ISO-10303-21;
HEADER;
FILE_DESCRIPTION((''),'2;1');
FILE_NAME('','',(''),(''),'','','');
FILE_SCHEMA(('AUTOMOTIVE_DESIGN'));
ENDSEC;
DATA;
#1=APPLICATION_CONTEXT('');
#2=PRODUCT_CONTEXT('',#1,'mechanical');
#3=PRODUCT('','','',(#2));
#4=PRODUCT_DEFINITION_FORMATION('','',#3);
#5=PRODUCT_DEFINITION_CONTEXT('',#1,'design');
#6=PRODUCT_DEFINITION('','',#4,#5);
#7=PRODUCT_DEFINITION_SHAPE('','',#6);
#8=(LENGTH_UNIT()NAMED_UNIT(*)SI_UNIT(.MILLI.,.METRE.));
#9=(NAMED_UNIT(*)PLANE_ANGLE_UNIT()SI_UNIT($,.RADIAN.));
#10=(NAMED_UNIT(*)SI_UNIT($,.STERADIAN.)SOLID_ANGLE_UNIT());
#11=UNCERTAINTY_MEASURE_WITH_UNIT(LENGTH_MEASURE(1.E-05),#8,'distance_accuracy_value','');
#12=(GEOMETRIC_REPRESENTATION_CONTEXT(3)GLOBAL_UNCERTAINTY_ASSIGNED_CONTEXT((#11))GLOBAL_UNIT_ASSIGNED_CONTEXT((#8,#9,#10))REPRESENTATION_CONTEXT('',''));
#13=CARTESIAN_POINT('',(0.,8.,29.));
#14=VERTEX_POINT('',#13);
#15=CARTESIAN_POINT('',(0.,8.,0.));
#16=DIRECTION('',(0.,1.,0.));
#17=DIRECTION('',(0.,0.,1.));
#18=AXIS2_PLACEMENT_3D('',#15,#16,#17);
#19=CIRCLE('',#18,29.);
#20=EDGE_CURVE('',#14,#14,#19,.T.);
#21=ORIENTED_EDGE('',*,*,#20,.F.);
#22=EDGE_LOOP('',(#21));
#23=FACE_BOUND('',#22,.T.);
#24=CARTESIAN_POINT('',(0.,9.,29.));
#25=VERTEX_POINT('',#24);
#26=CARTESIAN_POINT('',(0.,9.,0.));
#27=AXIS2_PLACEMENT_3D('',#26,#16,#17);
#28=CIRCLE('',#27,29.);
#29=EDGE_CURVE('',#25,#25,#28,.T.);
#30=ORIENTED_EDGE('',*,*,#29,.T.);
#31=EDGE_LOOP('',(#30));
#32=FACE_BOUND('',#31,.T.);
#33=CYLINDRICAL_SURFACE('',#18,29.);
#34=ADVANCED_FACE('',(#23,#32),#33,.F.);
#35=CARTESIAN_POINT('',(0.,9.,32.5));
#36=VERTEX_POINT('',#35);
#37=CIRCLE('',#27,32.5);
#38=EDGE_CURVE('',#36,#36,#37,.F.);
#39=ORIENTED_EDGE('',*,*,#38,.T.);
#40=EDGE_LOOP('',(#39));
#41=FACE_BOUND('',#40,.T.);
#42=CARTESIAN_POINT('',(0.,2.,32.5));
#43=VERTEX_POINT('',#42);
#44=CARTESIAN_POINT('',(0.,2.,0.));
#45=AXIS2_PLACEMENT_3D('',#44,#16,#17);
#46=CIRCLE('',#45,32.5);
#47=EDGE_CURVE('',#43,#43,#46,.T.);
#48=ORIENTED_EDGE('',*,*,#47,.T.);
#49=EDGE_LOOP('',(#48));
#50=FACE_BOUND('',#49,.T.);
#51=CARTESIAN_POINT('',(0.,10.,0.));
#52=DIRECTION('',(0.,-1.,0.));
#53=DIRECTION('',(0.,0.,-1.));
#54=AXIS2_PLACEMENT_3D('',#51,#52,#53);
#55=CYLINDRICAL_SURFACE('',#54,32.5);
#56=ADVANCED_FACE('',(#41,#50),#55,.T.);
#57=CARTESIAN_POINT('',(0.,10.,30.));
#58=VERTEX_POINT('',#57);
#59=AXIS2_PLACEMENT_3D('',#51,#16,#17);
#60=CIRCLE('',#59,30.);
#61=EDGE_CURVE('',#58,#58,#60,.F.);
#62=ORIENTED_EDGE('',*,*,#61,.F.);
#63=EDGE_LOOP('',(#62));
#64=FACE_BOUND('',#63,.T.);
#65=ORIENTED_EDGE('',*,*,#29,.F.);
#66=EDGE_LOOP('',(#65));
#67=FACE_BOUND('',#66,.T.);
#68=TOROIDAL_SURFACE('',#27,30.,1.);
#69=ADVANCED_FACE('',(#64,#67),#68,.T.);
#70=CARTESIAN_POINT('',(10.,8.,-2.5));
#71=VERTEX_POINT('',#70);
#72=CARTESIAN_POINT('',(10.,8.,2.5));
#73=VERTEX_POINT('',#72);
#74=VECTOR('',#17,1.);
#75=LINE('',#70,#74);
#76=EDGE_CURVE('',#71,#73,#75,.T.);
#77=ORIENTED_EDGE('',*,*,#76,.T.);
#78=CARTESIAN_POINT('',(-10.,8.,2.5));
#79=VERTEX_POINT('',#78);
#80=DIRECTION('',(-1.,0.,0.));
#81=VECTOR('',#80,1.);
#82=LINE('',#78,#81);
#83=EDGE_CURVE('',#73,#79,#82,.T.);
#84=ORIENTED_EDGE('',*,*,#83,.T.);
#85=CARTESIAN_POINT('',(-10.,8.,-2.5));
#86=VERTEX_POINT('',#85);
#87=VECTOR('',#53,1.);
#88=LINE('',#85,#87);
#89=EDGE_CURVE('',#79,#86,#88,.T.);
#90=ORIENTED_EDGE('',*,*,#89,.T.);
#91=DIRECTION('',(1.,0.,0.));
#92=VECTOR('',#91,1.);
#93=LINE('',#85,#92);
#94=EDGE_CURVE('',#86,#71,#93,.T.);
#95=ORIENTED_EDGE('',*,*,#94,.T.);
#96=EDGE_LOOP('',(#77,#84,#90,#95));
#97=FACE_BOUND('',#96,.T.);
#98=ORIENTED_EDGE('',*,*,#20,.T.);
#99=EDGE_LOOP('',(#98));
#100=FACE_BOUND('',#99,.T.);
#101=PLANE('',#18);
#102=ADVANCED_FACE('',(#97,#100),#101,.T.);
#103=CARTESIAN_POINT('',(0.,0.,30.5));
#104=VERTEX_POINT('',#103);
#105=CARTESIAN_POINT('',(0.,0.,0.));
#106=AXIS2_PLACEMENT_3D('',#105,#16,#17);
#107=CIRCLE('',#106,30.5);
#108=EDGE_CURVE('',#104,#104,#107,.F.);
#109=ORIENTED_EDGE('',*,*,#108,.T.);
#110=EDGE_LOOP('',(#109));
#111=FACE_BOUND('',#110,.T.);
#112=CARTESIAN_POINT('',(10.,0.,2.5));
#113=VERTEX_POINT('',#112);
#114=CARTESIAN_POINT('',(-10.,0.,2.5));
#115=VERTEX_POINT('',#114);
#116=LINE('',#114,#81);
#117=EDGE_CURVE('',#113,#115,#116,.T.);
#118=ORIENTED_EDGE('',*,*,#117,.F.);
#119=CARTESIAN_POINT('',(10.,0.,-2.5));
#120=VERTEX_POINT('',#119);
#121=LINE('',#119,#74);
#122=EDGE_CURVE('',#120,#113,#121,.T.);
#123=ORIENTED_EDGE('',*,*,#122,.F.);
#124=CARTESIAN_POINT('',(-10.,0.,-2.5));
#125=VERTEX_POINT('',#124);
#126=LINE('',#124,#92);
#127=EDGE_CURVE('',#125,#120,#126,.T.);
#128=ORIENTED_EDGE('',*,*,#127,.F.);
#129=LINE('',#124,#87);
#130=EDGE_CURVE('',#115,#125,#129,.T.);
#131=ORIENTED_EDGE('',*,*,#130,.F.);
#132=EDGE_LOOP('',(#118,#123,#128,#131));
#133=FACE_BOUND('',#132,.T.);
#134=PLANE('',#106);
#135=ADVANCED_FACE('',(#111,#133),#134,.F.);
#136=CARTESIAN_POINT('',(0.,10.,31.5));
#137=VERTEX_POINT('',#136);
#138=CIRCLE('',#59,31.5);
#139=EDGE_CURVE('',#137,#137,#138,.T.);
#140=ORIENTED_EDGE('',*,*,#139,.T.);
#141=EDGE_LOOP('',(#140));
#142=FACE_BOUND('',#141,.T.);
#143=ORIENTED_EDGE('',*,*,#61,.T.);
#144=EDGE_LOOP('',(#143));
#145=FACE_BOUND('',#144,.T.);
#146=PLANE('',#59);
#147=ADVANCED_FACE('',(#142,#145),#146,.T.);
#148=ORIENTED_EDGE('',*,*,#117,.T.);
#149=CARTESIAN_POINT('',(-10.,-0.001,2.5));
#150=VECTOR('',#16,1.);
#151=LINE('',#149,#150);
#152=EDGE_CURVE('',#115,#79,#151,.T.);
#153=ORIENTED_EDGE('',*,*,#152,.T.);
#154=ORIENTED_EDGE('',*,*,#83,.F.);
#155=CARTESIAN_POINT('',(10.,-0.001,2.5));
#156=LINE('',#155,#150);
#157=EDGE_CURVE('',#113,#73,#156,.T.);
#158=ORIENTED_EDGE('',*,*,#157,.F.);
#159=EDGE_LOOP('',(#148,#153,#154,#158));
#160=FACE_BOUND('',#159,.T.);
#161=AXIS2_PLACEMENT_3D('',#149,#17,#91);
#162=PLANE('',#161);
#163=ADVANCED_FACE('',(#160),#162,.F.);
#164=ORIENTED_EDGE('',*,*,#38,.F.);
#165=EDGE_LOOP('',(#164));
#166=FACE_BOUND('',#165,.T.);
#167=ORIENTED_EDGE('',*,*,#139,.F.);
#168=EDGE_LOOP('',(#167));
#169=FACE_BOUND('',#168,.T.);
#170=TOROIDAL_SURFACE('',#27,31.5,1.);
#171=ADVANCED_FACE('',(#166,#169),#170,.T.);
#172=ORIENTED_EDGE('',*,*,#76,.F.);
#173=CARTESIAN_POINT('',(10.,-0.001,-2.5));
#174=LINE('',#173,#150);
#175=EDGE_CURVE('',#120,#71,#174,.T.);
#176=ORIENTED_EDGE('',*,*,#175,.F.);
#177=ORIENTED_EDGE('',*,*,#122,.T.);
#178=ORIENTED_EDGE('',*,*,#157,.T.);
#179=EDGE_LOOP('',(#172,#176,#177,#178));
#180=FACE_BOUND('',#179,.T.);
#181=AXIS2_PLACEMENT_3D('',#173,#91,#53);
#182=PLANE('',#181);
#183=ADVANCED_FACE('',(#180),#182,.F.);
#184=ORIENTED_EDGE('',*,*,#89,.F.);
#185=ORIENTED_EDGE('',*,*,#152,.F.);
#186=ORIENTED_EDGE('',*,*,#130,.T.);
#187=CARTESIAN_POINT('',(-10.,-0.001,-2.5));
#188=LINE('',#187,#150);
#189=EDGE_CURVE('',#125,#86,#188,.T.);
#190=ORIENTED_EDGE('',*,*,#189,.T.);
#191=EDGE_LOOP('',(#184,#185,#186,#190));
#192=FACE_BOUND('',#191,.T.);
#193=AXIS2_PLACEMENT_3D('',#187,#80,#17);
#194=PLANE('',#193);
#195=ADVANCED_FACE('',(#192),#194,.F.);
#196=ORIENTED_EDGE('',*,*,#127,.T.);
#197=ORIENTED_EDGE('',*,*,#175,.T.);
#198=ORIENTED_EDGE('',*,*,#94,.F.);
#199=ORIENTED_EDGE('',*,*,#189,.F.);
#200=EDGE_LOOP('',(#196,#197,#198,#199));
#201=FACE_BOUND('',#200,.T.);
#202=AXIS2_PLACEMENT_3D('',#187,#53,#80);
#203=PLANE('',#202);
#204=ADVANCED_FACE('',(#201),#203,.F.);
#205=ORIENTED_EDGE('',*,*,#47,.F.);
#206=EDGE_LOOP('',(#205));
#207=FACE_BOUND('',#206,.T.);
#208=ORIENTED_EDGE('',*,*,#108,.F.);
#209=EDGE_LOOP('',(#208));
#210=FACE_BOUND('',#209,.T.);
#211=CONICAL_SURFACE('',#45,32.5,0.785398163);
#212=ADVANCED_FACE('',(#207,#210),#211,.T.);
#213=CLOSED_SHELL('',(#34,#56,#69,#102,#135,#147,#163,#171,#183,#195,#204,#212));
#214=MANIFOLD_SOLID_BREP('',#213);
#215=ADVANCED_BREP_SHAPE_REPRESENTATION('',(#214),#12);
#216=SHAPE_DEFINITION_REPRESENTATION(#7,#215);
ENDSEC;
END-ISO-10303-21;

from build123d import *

# Parameters (mm, degrees)
SKETCH1_R           = 32.5
BOSS_EXTRUDE4_DEPTH = 10
CUT_EXTRUDE1_REACH  = 12
SKETCH4_W           = 20
SKETCH4_H           = 5
SKETCH5_R           = 29
CUT_EXTRUDE3_DEPTH  = 2
FILLET1_R           = 1
FILLET2_R           = 1
CHAMFER1_SIZE       = 2


with BuildPart() as part:
    # Sketch1 → Boss-Extrude4 (new body)
    with BuildSketch(Plane(origin=(0, 0, 0), x_dir=(1, 0, 0), z_dir=(0, 1, 0))):
        with Locations(Location((0, 0, 0), (0, 0, 270))):  # turned: the seam where the file's is
            Circle(SKETCH1_R)
    extrude(amount=BOSS_EXTRUDE4_DEPTH)

    # Sketch4 → Cut-Extrude1 (cut, up to next)
    with BuildSketch(Plane(origin=(0, 10, 0), x_dir=(1, 0, 0), z_dir=(0, 1, 0)), mode=Mode.PRIVATE) as cut_extrude1_sk1:
        Rectangle(SKETCH4_W, SKETCH4_H)
    cut_extrude1_tool1 = extrude(cut_extrude1_sk1.sketch, amount=-CUT_EXTRUDE1_REACH, mode=Mode.PRIVATE) & part.part
    add(cut_extrude1_tool1.solids().sort_by_distance((0, 10, 0))[0], mode=Mode.SUBTRACT)

    # Sketch5 → Cut-Extrude3 (cut)
    with BuildSketch(Plane(origin=(0, 10, 0), x_dir=(1, 0, 0), z_dir=(0, 1, 0))):
        with Locations(Location((0, 0, 0), (0, 0, 270))):  # turned: the seam where the file's is
            Circle(SKETCH5_R)
    extrude(amount=-CUT_EXTRUDE3_DEPTH, mode=Mode.SUBTRACT)

    # Fillet1
    fillet1_edges = [part.edges().sort_by_distance(p)[0] for p in [
        (0, 10, -32.5),
    ]]
    fillet(fillet1_edges, radius=FILLET1_R)

    # Fillet2
    fillet2_edges = [part.edges().sort_by_distance(p)[0] for p in [
        (0, 10, -29),
    ]]
    fillet(fillet2_edges, radius=FILLET2_R)

    # Chamfer1
    chamfer1_edges = [part.edges().sort_by_distance(p)[0] for p in [
        (0, 0, -32.5),
    ]]
    chamfer(chamfer1_edges, length=CHAMFER1_SIZE)


solid = part.part
